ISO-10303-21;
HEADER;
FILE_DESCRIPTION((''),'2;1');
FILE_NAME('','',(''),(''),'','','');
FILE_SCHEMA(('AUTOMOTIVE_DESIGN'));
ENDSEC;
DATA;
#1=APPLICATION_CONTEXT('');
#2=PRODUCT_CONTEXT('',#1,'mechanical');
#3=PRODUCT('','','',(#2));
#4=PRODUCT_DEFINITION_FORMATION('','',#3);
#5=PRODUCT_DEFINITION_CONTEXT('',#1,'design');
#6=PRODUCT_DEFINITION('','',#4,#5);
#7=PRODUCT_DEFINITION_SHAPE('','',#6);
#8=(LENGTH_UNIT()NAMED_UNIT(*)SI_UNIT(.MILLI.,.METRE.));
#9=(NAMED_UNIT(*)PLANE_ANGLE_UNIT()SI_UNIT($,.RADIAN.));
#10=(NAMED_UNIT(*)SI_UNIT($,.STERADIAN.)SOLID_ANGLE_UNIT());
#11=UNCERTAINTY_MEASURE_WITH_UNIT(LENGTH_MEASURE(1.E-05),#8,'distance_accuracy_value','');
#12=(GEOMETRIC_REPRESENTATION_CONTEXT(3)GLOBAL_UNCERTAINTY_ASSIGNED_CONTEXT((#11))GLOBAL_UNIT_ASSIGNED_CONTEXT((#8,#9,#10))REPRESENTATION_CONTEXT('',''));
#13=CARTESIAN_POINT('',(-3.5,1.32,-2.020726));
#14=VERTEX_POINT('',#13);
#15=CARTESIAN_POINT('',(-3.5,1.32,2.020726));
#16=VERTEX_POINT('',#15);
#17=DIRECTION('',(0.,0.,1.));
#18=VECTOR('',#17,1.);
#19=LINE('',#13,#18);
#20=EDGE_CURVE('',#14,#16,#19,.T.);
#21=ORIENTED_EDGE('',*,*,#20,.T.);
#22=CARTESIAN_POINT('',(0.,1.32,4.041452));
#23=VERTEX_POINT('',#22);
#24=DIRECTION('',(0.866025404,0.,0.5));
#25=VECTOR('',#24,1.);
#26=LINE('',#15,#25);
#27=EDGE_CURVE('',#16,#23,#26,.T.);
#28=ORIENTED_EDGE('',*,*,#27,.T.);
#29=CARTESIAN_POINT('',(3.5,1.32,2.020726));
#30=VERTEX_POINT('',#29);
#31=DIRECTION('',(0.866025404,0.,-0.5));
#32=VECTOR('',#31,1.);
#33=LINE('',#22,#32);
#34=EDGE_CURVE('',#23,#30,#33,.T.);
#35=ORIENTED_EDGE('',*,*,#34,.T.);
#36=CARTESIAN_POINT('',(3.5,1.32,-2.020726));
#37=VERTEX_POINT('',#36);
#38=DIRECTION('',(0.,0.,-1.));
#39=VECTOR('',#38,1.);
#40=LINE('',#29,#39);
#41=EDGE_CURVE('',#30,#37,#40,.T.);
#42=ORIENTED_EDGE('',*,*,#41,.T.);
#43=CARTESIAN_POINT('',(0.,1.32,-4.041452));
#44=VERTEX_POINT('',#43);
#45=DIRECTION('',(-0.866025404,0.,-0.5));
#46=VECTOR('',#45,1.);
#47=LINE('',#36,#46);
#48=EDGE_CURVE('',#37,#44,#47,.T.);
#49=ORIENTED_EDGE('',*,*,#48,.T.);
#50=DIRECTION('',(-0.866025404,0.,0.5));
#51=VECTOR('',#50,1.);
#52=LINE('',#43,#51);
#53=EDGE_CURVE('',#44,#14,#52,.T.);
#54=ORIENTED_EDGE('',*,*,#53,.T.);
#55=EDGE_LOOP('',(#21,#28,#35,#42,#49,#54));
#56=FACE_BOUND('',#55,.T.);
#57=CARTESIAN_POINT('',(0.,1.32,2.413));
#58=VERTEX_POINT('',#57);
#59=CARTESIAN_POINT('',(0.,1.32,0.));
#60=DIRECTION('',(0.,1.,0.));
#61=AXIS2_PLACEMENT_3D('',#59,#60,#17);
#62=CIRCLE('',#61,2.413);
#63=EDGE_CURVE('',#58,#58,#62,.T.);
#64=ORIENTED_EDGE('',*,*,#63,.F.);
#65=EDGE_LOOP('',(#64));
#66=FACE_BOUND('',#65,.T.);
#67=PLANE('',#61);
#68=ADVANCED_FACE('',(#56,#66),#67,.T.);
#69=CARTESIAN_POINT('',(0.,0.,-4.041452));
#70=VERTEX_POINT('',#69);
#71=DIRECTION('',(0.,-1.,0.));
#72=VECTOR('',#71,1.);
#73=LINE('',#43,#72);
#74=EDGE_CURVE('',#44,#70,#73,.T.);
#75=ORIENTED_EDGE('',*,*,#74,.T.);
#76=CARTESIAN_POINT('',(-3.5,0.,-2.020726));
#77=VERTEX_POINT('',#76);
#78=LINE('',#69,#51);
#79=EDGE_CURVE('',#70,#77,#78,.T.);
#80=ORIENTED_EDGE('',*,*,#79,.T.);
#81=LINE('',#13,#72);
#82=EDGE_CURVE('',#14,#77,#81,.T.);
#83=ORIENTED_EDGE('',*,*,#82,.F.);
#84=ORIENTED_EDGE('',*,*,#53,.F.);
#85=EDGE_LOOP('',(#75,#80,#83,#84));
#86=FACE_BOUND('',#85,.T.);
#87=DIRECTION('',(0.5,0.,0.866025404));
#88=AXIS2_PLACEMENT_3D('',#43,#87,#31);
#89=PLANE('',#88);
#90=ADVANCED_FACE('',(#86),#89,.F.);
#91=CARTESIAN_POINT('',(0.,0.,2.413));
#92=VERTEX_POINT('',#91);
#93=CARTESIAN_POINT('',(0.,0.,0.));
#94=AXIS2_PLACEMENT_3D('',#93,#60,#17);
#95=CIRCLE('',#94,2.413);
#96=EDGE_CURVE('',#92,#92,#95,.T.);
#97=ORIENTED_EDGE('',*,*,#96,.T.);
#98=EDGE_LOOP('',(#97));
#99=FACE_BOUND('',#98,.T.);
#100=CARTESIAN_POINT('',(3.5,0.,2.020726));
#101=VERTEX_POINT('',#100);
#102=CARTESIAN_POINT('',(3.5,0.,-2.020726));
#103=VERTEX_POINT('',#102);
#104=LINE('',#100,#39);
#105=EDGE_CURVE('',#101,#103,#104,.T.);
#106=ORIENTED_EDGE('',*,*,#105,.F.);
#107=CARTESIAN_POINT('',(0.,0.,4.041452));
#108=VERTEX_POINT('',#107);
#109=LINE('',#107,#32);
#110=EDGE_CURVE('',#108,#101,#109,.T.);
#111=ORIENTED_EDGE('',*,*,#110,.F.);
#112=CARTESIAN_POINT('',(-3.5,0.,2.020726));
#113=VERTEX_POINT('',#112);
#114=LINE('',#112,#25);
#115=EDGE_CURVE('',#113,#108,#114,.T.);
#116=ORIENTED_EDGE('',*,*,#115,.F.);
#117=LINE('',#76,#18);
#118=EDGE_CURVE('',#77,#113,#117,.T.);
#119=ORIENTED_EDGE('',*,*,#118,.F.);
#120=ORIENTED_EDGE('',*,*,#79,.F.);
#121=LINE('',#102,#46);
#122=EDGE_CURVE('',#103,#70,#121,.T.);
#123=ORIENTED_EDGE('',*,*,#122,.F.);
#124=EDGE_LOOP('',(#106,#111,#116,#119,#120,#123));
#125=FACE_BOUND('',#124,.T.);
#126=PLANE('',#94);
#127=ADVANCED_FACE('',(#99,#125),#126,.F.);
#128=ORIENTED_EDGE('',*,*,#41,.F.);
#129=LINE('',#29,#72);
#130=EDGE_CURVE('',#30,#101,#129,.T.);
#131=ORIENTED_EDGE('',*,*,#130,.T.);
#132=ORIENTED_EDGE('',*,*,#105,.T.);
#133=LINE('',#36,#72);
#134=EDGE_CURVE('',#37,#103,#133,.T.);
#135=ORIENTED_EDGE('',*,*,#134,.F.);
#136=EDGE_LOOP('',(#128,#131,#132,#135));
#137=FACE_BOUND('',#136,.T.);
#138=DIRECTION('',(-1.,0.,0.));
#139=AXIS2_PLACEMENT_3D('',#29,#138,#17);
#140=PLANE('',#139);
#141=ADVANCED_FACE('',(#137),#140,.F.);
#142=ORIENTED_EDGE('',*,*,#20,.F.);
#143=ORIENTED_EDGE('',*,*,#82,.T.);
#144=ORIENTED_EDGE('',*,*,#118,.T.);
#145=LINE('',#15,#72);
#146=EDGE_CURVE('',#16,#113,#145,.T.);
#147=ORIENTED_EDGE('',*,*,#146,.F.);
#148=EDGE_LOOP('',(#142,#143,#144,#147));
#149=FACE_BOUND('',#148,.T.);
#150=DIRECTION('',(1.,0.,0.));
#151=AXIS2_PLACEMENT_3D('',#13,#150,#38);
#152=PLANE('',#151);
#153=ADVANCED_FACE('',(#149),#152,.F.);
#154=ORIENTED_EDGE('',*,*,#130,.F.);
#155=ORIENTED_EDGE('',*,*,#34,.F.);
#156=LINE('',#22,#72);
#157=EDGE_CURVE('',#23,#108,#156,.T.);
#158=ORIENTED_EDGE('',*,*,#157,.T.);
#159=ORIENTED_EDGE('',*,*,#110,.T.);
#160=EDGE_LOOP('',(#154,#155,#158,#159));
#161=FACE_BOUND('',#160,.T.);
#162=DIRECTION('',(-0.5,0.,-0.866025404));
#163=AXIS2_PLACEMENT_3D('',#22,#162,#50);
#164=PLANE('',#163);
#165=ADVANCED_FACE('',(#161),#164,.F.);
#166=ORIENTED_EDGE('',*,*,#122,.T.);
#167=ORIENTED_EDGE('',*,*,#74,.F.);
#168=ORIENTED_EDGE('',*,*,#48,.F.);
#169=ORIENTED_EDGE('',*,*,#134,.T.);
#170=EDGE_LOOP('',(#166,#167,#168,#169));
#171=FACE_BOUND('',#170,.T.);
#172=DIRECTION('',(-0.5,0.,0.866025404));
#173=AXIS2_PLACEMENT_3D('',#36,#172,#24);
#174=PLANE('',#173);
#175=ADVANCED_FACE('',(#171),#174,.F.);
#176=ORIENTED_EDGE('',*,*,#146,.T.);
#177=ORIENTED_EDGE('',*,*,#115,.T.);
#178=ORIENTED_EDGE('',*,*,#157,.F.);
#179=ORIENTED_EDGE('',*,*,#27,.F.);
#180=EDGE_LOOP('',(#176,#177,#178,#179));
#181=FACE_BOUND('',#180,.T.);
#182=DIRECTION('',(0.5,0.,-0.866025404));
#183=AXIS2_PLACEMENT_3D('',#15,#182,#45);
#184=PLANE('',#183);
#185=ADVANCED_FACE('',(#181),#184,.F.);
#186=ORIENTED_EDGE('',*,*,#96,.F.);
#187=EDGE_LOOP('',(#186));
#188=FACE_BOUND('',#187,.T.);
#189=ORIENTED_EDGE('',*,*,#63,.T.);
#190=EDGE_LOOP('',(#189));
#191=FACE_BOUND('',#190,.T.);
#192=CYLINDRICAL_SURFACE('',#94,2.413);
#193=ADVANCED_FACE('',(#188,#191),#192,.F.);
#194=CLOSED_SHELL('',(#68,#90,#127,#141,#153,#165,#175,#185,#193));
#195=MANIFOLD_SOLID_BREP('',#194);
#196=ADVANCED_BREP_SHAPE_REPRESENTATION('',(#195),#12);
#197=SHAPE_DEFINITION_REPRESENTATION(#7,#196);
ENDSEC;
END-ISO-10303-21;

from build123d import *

# Parameters (mm, degrees)
BOSS_EXTRUDE1_DEPTH = 1.32
SKETCH2_R           = 2.413
CUT_EXTRUDE1_DEPTH  = 2.32


with BuildPart() as part:
    # Sketch1 → Boss-Extrude1 (new body)
    with BuildSketch(Plane(origin=(0, 0, 0), x_dir=(1, 0, 0), z_dir=(0, 1, 0))):
        Polygon((-3.5, 2.020725942), (-3.5, -2.020725942), (0, -4.041451884), (3.5, -2.020725942), (3.5, 2.020725942), (0, 4.041451884), align=None)
    extrude(amount=BOSS_EXTRUDE1_DEPTH)

    # Sketch2 → Cut-Extrude1 (cut, through all)
    with BuildSketch(Plane(origin=(0, 1.32, 0), x_dir=(1, 0, 0), z_dir=(0, 1, 0))):
        Circle(SKETCH2_R)
    extrude(amount=-CUT_EXTRUDE1_DEPTH, mode=Mode.SUBTRACT)


solid = part.part
